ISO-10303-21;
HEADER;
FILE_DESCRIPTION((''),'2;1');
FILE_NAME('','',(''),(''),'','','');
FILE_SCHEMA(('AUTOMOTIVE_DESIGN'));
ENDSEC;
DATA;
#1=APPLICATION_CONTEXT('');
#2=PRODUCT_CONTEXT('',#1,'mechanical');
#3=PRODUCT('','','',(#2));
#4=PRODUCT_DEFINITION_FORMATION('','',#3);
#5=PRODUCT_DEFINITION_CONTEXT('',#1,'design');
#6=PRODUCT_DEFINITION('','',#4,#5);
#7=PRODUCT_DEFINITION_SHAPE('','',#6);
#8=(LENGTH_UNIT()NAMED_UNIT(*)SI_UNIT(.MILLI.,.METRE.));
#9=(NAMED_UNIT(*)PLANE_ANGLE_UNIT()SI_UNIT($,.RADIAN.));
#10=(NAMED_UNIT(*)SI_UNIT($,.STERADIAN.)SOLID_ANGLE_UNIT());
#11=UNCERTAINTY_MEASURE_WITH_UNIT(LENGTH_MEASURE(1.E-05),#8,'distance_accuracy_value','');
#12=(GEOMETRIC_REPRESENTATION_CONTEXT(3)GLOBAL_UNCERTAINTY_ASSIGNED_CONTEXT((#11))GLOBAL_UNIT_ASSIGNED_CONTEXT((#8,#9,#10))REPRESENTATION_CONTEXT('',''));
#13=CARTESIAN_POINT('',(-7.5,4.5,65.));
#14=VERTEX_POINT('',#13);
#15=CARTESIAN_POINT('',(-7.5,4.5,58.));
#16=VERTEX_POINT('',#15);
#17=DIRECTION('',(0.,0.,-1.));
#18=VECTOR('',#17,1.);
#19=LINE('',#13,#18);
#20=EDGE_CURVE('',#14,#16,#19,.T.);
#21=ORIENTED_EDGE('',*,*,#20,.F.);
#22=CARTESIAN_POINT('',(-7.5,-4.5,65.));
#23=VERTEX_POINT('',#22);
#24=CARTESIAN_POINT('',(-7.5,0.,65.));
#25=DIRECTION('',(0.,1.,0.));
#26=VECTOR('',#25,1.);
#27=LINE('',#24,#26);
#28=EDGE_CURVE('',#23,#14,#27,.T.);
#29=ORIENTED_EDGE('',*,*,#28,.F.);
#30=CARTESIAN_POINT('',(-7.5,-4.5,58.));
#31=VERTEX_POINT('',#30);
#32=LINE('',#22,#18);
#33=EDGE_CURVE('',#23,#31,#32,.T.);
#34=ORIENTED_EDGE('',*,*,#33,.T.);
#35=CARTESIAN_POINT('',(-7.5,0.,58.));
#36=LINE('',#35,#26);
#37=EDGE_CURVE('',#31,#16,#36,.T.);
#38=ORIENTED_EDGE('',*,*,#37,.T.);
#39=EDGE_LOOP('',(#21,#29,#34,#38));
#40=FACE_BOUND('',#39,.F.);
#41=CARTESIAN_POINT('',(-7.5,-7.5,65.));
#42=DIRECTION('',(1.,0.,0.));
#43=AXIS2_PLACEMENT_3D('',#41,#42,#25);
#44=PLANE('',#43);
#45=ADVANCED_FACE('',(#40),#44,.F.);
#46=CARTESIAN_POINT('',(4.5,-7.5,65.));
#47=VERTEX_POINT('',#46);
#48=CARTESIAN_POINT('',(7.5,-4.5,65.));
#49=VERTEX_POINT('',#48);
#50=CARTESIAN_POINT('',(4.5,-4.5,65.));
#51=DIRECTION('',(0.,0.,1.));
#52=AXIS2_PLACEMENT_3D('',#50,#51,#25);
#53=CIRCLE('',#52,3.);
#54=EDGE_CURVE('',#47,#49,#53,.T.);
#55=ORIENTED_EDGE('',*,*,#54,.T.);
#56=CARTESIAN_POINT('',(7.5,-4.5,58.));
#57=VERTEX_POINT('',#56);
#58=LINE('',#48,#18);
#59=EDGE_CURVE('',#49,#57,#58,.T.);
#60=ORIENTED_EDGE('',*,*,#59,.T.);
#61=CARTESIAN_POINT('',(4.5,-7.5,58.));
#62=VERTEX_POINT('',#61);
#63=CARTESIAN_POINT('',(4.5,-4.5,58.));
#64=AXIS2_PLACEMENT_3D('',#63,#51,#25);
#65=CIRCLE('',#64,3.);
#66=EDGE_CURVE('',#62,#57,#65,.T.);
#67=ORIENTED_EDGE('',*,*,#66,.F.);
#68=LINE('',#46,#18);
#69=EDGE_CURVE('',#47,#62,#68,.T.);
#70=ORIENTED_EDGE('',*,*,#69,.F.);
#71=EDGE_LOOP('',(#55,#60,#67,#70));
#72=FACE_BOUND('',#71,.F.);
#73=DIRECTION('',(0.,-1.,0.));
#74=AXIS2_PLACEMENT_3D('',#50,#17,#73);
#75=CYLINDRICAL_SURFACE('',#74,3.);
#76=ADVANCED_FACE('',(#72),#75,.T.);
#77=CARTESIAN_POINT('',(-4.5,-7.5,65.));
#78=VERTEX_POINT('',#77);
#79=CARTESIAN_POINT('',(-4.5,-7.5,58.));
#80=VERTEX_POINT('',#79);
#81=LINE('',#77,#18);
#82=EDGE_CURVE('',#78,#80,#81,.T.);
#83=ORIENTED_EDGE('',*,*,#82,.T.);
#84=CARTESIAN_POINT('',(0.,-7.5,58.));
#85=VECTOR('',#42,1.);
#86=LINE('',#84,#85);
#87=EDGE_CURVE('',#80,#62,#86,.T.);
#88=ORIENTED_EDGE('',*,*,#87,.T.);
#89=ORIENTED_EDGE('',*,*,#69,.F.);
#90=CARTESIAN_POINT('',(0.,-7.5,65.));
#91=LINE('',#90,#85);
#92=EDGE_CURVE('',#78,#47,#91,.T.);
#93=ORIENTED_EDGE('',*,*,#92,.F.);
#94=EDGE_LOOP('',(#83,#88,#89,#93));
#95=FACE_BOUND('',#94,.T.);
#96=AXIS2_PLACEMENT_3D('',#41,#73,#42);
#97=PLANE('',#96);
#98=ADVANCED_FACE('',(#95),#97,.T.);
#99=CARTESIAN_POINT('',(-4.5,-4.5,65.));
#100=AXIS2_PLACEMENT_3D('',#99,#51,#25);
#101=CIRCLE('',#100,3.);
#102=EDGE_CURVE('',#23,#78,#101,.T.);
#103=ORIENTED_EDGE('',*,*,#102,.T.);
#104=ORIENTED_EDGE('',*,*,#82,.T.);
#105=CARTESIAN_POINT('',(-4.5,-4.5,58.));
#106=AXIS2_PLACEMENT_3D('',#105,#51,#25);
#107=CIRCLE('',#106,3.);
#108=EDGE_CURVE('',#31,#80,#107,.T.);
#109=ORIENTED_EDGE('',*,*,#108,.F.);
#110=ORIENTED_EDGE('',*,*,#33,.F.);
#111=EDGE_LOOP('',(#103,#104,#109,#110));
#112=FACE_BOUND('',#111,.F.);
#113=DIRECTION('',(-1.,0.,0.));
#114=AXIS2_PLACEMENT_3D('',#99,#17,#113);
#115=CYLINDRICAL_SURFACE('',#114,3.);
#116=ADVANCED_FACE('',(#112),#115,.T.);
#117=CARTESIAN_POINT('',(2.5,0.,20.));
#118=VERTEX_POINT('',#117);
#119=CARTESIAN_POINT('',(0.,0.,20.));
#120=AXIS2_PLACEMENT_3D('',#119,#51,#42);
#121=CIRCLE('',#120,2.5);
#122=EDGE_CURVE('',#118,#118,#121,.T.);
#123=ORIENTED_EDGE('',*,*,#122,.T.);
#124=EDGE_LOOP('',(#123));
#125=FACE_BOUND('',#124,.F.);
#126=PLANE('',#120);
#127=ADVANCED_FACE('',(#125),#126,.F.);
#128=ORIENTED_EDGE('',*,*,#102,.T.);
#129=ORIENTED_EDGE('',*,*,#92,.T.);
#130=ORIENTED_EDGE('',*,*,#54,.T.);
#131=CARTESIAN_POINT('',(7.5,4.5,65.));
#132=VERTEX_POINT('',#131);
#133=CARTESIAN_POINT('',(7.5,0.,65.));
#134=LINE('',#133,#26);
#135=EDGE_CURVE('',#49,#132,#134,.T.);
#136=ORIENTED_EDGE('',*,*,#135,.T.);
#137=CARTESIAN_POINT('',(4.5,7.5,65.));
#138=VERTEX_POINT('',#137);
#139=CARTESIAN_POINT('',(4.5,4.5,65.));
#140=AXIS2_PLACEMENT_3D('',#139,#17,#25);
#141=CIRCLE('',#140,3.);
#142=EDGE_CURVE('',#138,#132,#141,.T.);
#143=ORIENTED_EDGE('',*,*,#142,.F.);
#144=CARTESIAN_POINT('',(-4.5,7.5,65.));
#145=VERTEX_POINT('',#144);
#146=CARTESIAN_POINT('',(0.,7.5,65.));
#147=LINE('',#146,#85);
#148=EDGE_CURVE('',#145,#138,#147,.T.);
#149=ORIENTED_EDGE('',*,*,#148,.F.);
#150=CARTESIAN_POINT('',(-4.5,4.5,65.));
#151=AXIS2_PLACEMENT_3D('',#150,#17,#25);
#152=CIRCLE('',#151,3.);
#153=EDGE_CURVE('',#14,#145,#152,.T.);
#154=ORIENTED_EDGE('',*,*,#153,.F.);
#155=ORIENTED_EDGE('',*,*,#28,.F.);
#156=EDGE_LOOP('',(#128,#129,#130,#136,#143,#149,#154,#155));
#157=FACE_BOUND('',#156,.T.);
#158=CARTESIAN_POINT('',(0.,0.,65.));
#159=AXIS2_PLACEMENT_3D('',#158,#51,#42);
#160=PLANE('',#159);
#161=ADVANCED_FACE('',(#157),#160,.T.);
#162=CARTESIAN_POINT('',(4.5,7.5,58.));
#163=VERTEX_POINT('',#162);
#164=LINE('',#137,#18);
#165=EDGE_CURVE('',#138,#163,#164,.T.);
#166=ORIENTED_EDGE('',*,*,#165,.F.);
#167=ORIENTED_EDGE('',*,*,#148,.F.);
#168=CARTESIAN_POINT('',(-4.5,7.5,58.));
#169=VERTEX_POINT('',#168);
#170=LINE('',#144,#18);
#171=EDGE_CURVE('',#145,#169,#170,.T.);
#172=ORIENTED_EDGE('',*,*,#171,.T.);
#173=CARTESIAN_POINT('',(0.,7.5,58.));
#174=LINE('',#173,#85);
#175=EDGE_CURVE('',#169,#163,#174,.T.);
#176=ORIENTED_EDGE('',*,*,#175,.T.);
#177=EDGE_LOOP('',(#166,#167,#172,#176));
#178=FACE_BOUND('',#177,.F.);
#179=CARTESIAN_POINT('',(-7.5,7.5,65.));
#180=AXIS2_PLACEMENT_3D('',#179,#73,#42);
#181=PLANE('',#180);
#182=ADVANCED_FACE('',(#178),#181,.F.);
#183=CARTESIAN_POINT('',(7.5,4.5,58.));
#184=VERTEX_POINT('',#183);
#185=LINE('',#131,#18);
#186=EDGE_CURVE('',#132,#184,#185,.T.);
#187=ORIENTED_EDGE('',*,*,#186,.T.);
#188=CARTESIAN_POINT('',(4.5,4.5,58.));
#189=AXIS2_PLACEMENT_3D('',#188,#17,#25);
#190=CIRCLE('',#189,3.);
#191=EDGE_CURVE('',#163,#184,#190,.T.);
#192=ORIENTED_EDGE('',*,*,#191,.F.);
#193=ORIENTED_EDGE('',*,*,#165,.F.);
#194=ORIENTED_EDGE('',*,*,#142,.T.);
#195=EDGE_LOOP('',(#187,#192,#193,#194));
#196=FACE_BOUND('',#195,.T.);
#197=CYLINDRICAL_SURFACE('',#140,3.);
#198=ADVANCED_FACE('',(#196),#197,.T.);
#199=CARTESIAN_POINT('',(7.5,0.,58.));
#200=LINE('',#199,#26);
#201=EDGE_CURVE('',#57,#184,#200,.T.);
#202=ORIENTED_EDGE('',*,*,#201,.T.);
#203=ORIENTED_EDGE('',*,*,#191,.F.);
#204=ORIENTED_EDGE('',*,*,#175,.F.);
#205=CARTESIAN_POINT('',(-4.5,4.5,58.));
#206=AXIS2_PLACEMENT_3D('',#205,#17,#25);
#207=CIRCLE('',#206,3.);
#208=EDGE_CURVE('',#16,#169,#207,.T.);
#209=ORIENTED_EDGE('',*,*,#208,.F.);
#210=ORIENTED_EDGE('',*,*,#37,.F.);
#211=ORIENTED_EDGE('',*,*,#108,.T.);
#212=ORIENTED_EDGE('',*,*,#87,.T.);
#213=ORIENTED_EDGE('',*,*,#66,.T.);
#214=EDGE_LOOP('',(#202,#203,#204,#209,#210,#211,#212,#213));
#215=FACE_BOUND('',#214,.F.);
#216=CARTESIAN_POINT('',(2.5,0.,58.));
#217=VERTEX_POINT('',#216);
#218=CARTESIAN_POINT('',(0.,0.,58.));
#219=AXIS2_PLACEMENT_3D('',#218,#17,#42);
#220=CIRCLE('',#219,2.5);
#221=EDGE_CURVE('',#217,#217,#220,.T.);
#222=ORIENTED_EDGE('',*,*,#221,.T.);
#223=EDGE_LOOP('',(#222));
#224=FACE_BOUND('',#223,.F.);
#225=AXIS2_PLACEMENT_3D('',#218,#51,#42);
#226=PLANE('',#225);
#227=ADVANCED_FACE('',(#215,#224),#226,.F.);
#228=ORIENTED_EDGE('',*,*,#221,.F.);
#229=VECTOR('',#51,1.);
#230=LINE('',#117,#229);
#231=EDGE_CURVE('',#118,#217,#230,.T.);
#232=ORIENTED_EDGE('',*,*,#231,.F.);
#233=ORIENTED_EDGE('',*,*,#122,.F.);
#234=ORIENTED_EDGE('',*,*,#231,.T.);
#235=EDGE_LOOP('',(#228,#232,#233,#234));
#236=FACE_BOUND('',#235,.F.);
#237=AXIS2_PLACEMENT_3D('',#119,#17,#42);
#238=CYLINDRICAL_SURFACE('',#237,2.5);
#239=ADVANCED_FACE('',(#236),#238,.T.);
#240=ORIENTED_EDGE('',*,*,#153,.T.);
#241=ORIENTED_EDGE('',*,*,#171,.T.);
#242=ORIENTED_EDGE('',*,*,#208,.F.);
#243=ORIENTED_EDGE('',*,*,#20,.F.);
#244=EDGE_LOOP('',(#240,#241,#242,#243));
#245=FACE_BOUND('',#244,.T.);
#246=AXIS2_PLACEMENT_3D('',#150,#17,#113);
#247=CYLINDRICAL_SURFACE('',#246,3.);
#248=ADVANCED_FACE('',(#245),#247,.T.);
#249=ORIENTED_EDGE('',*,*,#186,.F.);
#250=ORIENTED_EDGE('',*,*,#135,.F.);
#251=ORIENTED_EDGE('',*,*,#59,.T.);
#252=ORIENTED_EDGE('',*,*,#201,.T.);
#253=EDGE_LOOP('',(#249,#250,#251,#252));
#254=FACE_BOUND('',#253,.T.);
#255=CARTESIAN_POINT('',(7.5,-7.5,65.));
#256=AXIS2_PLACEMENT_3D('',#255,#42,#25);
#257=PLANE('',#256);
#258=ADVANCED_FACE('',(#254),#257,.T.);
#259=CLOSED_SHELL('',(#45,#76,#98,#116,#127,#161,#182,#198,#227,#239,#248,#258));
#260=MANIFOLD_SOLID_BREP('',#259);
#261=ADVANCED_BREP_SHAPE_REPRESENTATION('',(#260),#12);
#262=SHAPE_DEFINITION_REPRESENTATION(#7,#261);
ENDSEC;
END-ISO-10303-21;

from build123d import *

# Parameters (mm, degrees)
SKETCH138_R  = 2.5
PAD069_DEPTH = 45
SKETCH139_W  = 15
SKETCH139_H  = 15
PAD070_DEPTH = 7
FILLET_R     = 3


with BuildPart() as part:
    # Sketch138 → Pad069 (new body)
    with BuildSketch(Plane.XY):
        Circle(SKETCH138_R)
    extrude(amount=PAD069_DEPTH)

    # Sketch139 (on Face3 of Pad069) → Pad070 (join)
    with BuildSketch(Plane.XY.offset(45)):
        Rectangle(SKETCH139_W, SKETCH139_H)
    extrude(amount=-PAD070_DEPTH)

    # Fillet
    fillet_edges = [part.edges().sort_by_distance(p)[0] for p in [
        (7.5, -7.5, 41.5),
        (7.5, 7.5, 41.5),
        (-7.5, 7.5, 41.5),
        (-7.5, -7.5, 41.5),
    ]]
    fillet(fillet_edges, radius=FILLET_R)


with BuildPart() as part_1:
    # Body040 placement: moved
    add(part.part.moved(Location((0, 0, 20))))


solid = part_1.part
